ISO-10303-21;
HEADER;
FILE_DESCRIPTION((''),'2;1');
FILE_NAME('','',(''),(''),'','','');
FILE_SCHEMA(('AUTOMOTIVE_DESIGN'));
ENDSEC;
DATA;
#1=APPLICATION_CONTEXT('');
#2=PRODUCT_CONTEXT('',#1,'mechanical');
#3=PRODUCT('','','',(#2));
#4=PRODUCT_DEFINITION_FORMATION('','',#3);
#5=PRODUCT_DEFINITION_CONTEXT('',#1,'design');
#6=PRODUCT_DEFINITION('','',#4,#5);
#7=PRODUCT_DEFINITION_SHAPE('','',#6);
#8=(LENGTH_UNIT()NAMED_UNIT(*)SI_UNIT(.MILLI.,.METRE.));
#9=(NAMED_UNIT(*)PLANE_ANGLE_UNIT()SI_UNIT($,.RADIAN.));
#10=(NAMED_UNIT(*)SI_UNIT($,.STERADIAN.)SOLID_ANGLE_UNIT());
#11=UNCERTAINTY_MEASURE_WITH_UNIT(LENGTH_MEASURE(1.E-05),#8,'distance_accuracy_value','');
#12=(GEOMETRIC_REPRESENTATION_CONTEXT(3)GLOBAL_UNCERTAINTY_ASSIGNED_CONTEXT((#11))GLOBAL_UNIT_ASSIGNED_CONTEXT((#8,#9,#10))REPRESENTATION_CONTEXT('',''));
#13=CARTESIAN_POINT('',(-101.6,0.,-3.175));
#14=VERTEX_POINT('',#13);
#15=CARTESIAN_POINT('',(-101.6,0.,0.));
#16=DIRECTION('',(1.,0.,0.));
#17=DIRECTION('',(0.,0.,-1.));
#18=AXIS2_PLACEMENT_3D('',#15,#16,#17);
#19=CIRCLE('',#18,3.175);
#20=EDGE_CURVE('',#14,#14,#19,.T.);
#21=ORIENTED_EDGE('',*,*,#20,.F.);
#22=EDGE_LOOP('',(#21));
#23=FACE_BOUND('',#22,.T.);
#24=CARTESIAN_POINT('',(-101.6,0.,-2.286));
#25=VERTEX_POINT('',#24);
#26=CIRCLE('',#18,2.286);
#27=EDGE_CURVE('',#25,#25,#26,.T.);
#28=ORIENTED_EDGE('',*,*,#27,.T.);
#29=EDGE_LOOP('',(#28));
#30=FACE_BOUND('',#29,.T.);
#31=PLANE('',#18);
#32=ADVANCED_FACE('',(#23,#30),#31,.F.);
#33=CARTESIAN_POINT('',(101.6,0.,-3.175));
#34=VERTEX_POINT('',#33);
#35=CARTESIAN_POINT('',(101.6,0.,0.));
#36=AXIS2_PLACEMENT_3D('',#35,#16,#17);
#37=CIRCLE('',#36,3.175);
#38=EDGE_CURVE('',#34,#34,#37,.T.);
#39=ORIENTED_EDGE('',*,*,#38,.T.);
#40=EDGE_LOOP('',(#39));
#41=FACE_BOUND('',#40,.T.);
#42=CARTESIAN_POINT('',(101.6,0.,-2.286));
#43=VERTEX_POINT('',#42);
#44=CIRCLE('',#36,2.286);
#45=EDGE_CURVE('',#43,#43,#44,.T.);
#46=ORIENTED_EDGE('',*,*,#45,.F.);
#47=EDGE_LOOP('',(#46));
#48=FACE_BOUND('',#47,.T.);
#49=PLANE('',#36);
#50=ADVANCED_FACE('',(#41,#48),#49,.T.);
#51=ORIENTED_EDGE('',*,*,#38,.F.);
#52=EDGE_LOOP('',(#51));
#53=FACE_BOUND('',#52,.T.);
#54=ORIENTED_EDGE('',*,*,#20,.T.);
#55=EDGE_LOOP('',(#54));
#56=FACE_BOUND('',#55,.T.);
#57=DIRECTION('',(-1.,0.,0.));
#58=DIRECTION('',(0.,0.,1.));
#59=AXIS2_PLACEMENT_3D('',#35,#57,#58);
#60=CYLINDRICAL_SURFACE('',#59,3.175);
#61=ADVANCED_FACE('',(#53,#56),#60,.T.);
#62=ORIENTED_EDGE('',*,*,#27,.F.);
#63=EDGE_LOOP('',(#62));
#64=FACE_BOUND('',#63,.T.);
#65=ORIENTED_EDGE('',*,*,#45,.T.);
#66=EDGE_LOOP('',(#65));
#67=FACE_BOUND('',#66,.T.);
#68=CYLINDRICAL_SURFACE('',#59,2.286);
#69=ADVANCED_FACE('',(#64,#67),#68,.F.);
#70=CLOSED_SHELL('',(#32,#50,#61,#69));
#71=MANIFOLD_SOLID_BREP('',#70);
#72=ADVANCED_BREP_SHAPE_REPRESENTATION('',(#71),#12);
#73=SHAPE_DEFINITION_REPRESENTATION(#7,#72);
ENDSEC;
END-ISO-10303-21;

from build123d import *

# Parameters (mm, degrees)
SKETCH4_R           = 3.175
SKETCH4_R_2         = 2.286
BOSS_EXTRUDE1_DEPTH = 101.6


with BuildPart() as part:
    # Sketch4 → Boss-Extrude1 (new, symmetric)
    with BuildSketch(Plane(origin=(0, 0, 0), x_dir=(0, 0, -1), z_dir=(1, 0, 0))):
        Circle(SKETCH4_R)
        Circle(SKETCH4_R_2, mode=Mode.SUBTRACT)
    extrude(amount=BOSS_EXTRUDE1_DEPTH, both=True)


solid = part.part
